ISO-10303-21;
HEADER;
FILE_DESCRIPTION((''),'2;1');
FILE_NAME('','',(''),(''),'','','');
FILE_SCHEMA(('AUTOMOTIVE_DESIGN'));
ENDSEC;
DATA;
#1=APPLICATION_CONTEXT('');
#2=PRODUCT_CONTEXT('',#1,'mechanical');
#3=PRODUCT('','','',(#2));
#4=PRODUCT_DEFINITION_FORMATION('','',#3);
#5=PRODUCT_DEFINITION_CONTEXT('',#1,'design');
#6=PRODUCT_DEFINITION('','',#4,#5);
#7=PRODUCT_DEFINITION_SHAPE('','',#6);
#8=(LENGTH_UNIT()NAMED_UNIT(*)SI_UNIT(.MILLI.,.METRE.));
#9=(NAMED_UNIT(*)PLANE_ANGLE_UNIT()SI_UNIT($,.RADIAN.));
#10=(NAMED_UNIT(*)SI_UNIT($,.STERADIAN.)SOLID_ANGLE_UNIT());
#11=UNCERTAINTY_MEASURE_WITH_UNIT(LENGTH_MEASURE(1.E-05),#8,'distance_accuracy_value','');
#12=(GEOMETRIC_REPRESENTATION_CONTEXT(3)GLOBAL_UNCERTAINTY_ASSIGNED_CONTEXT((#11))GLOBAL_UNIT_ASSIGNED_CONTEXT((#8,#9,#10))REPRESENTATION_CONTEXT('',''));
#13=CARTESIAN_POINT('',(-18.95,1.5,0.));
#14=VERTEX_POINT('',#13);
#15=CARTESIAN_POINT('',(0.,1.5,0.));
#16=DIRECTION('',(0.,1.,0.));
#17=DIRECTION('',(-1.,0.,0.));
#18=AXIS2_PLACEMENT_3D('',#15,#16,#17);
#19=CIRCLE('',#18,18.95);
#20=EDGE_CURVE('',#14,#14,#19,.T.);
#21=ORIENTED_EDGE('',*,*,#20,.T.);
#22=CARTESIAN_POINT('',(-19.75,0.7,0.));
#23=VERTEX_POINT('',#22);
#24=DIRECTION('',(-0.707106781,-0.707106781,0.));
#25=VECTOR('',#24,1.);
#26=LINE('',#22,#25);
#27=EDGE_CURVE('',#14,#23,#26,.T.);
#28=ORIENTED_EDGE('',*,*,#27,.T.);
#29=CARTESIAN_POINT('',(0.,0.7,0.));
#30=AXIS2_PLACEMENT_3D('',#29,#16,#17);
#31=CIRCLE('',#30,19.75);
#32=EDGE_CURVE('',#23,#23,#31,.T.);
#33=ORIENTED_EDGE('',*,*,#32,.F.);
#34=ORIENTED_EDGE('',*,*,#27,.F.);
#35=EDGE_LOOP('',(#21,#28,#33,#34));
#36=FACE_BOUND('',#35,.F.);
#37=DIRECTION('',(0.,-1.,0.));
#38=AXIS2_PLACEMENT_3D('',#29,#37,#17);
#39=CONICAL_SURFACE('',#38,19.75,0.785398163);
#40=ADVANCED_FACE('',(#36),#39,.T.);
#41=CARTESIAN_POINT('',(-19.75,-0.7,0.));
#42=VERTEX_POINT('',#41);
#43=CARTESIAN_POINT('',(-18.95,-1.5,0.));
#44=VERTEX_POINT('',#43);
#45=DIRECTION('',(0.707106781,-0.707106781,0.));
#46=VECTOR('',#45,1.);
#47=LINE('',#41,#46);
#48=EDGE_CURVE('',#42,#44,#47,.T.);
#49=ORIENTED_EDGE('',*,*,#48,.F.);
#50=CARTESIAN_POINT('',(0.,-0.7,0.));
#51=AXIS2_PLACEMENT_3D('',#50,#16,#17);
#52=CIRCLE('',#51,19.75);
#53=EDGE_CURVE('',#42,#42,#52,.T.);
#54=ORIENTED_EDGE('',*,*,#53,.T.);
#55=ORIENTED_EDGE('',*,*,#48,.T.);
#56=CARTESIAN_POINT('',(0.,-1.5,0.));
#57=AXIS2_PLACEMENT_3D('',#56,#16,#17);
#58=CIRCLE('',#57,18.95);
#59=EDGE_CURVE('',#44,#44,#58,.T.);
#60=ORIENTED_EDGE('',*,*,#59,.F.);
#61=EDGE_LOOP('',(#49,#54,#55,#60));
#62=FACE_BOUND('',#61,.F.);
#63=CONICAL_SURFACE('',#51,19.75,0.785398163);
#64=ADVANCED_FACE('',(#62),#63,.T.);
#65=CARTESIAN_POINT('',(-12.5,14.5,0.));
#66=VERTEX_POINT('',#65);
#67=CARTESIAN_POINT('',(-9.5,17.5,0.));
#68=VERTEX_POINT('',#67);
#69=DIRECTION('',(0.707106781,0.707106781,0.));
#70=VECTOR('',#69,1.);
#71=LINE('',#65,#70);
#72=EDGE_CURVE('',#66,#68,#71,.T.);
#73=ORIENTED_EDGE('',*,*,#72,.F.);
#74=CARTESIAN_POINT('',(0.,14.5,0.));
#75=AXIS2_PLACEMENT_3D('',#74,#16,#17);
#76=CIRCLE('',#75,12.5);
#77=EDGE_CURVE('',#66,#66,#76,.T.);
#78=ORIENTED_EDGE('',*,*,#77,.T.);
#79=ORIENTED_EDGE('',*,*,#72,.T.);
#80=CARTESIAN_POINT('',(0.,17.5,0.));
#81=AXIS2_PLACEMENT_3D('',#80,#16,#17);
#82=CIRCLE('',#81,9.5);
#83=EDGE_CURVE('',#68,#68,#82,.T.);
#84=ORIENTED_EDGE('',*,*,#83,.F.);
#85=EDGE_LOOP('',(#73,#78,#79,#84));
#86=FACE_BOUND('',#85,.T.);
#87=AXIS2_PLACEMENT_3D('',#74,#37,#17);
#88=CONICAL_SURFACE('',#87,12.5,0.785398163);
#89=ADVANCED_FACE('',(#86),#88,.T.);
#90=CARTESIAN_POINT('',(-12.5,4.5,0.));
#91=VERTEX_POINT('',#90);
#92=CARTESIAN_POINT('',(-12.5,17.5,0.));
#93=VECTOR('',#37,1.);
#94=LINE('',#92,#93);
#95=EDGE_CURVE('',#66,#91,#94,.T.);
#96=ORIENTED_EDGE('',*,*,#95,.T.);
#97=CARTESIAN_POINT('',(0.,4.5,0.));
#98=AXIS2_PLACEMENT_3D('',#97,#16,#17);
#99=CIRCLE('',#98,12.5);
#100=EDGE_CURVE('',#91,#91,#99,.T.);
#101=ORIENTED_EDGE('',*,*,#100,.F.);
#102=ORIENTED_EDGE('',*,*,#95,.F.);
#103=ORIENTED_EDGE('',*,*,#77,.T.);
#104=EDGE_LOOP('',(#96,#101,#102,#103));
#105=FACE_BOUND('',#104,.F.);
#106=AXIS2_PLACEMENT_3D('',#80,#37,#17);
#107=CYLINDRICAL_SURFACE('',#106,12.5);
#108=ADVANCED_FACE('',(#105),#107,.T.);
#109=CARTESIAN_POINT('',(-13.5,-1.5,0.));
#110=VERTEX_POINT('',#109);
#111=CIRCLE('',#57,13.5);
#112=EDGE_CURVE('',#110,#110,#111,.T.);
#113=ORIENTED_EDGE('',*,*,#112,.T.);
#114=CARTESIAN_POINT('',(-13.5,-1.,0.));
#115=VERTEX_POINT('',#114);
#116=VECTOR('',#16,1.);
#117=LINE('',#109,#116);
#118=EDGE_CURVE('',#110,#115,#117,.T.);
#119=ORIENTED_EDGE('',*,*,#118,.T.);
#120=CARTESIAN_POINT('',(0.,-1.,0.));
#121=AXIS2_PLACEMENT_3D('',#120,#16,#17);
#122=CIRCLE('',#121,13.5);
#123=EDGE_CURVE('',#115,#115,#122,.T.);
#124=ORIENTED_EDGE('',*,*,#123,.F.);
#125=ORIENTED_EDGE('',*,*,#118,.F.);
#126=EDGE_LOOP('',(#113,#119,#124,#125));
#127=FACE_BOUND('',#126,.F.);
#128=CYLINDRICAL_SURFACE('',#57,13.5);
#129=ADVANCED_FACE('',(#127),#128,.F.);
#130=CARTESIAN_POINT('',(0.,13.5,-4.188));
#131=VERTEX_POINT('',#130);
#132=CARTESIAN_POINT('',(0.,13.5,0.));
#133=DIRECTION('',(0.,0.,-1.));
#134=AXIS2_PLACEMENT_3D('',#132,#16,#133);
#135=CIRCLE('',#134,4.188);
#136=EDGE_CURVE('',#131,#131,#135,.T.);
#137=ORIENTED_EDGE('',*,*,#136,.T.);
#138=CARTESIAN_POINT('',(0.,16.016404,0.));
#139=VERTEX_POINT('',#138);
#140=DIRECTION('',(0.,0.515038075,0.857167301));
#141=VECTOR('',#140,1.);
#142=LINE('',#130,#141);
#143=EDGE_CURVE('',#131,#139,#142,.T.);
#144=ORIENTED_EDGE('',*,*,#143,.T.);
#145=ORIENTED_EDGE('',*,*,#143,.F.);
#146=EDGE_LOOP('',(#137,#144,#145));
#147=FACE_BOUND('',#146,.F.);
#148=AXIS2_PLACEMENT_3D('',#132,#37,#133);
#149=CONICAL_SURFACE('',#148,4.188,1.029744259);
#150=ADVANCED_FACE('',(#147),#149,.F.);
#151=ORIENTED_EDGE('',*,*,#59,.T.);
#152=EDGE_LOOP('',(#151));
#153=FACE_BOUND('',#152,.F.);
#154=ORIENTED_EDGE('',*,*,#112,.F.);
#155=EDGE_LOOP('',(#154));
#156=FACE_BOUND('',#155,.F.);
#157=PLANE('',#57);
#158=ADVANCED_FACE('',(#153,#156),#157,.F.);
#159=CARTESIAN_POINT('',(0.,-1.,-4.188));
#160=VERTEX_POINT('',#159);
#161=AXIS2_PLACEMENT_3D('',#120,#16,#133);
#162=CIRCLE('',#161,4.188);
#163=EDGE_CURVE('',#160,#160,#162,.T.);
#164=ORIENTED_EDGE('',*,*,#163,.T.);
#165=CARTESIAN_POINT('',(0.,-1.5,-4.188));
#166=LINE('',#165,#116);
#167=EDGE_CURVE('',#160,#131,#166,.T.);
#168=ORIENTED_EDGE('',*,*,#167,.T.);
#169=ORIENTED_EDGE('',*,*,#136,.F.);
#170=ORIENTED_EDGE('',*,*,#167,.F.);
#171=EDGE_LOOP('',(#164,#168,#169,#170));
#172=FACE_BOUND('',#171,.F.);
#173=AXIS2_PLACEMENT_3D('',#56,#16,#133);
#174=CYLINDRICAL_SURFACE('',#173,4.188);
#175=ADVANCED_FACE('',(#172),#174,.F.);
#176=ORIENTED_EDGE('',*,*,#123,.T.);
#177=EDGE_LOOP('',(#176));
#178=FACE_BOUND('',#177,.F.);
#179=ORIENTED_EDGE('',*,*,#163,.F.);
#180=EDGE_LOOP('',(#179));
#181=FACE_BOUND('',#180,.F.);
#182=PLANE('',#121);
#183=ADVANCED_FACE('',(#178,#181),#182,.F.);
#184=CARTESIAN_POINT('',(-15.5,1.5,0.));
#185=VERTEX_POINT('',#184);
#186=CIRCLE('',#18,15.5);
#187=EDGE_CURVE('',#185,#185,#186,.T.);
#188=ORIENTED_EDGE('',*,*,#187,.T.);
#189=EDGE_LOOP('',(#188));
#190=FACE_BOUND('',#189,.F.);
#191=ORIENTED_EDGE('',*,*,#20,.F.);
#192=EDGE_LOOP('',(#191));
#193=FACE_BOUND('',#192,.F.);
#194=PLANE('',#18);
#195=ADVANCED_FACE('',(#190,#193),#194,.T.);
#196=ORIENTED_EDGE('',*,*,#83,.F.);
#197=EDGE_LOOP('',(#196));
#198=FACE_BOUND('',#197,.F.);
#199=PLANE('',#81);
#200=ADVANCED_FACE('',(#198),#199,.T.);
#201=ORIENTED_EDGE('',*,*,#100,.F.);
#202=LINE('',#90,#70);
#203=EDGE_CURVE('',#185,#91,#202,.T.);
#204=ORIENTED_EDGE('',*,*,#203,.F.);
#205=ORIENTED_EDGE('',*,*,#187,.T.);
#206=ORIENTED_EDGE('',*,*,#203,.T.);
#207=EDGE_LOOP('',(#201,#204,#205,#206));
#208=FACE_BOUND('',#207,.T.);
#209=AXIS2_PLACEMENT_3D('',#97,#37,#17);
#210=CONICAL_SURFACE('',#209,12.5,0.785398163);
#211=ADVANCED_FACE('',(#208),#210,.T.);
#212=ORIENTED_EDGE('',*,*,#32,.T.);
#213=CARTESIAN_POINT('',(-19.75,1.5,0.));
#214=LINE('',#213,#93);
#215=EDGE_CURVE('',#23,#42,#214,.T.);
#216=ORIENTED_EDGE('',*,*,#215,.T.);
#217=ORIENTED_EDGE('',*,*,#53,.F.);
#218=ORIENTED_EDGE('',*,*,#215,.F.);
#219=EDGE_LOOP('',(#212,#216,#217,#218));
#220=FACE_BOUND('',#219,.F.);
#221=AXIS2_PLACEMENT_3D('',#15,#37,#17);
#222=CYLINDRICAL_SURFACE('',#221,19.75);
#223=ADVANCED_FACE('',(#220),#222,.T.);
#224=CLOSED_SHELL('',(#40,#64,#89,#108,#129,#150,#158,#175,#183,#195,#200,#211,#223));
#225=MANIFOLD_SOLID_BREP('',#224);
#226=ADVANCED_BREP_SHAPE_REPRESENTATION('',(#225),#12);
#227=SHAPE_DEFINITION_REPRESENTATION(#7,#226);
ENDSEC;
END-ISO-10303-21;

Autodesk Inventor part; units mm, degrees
ref_plane "YZ Plane" through (0, 0, 0) normal (1, 0, 0) x (0, 1, 0)
ref_plane "XZ Plane" through (0, 0, 0) normal (0, 1, 0) x (-1, 0, 0)
ref_plane "XY Plane" through (0, 0, 0) normal (0, 0, 1) x (1, 0, 0)
sketch "Sketch1" plane through (0, 0, 0) normal (0, 0, 1) x (1, 0, 0)
  line L0 (0, -5.3) -> (0, 21.3) projected
  line L1 (0, 17.5) -> (-12.5, 17.5)
  line L2 (-12.5, 17.5) -> (-12.5, 1.5)
  line L3 (-12.5, 1.5) -> (-19.75, 1.5)
  line L4 (-19.75, 1.5) -> (-19.75, -1.5)
  line L5 (-19.75, -1.5) -> (-13.5, -1.5)
  line L6 (-13.5, -1.5) -> (-13.5, -1)
  line L7 (-13.5, -1) -> (0, -1)
  point P0 (0, 0)
  point P1 (-19.75, 0)
  dimension "d0" = 39.5
  dimension "d1" = 25
  dimension "d2" = 3
  dimension "d3" = 16
  dimension "d4" = 27
  dimension "d5" = 0.5
revolve "Revolution1" add sketch "Sketch1" angle 360 about axis through (0, -10, 0) along (0, 1, 0)
sketch "Sketch2" plane through (0, -1.5, 0) normal (0, -1, 0) x (1, 0, 0)
  point P0 (0, 0)
  point P1 (0, 0)
hole "Hole1" at (0, -1.5, 0) direction (0, 1, 0) diameter 8.376 depth 15 tip angle 118 thread size "M10x1.5" class "6H" standard "ISO Metric profile"
chamfer "Chamfer1" distance 3 angle 45 1 edges at (12.5, 1.5, 0)
chamfer "Chamfer2" distance 0.8 angle 45 2 edges at (19.75, 1.5, 0) (19.75, -1.5, 0)
chamfer "Chamfer3" distance 3 angle 45 1 edges at (12.5, 17.5, 0)
properties part number "Base Plate" material "Steel, Mild"
